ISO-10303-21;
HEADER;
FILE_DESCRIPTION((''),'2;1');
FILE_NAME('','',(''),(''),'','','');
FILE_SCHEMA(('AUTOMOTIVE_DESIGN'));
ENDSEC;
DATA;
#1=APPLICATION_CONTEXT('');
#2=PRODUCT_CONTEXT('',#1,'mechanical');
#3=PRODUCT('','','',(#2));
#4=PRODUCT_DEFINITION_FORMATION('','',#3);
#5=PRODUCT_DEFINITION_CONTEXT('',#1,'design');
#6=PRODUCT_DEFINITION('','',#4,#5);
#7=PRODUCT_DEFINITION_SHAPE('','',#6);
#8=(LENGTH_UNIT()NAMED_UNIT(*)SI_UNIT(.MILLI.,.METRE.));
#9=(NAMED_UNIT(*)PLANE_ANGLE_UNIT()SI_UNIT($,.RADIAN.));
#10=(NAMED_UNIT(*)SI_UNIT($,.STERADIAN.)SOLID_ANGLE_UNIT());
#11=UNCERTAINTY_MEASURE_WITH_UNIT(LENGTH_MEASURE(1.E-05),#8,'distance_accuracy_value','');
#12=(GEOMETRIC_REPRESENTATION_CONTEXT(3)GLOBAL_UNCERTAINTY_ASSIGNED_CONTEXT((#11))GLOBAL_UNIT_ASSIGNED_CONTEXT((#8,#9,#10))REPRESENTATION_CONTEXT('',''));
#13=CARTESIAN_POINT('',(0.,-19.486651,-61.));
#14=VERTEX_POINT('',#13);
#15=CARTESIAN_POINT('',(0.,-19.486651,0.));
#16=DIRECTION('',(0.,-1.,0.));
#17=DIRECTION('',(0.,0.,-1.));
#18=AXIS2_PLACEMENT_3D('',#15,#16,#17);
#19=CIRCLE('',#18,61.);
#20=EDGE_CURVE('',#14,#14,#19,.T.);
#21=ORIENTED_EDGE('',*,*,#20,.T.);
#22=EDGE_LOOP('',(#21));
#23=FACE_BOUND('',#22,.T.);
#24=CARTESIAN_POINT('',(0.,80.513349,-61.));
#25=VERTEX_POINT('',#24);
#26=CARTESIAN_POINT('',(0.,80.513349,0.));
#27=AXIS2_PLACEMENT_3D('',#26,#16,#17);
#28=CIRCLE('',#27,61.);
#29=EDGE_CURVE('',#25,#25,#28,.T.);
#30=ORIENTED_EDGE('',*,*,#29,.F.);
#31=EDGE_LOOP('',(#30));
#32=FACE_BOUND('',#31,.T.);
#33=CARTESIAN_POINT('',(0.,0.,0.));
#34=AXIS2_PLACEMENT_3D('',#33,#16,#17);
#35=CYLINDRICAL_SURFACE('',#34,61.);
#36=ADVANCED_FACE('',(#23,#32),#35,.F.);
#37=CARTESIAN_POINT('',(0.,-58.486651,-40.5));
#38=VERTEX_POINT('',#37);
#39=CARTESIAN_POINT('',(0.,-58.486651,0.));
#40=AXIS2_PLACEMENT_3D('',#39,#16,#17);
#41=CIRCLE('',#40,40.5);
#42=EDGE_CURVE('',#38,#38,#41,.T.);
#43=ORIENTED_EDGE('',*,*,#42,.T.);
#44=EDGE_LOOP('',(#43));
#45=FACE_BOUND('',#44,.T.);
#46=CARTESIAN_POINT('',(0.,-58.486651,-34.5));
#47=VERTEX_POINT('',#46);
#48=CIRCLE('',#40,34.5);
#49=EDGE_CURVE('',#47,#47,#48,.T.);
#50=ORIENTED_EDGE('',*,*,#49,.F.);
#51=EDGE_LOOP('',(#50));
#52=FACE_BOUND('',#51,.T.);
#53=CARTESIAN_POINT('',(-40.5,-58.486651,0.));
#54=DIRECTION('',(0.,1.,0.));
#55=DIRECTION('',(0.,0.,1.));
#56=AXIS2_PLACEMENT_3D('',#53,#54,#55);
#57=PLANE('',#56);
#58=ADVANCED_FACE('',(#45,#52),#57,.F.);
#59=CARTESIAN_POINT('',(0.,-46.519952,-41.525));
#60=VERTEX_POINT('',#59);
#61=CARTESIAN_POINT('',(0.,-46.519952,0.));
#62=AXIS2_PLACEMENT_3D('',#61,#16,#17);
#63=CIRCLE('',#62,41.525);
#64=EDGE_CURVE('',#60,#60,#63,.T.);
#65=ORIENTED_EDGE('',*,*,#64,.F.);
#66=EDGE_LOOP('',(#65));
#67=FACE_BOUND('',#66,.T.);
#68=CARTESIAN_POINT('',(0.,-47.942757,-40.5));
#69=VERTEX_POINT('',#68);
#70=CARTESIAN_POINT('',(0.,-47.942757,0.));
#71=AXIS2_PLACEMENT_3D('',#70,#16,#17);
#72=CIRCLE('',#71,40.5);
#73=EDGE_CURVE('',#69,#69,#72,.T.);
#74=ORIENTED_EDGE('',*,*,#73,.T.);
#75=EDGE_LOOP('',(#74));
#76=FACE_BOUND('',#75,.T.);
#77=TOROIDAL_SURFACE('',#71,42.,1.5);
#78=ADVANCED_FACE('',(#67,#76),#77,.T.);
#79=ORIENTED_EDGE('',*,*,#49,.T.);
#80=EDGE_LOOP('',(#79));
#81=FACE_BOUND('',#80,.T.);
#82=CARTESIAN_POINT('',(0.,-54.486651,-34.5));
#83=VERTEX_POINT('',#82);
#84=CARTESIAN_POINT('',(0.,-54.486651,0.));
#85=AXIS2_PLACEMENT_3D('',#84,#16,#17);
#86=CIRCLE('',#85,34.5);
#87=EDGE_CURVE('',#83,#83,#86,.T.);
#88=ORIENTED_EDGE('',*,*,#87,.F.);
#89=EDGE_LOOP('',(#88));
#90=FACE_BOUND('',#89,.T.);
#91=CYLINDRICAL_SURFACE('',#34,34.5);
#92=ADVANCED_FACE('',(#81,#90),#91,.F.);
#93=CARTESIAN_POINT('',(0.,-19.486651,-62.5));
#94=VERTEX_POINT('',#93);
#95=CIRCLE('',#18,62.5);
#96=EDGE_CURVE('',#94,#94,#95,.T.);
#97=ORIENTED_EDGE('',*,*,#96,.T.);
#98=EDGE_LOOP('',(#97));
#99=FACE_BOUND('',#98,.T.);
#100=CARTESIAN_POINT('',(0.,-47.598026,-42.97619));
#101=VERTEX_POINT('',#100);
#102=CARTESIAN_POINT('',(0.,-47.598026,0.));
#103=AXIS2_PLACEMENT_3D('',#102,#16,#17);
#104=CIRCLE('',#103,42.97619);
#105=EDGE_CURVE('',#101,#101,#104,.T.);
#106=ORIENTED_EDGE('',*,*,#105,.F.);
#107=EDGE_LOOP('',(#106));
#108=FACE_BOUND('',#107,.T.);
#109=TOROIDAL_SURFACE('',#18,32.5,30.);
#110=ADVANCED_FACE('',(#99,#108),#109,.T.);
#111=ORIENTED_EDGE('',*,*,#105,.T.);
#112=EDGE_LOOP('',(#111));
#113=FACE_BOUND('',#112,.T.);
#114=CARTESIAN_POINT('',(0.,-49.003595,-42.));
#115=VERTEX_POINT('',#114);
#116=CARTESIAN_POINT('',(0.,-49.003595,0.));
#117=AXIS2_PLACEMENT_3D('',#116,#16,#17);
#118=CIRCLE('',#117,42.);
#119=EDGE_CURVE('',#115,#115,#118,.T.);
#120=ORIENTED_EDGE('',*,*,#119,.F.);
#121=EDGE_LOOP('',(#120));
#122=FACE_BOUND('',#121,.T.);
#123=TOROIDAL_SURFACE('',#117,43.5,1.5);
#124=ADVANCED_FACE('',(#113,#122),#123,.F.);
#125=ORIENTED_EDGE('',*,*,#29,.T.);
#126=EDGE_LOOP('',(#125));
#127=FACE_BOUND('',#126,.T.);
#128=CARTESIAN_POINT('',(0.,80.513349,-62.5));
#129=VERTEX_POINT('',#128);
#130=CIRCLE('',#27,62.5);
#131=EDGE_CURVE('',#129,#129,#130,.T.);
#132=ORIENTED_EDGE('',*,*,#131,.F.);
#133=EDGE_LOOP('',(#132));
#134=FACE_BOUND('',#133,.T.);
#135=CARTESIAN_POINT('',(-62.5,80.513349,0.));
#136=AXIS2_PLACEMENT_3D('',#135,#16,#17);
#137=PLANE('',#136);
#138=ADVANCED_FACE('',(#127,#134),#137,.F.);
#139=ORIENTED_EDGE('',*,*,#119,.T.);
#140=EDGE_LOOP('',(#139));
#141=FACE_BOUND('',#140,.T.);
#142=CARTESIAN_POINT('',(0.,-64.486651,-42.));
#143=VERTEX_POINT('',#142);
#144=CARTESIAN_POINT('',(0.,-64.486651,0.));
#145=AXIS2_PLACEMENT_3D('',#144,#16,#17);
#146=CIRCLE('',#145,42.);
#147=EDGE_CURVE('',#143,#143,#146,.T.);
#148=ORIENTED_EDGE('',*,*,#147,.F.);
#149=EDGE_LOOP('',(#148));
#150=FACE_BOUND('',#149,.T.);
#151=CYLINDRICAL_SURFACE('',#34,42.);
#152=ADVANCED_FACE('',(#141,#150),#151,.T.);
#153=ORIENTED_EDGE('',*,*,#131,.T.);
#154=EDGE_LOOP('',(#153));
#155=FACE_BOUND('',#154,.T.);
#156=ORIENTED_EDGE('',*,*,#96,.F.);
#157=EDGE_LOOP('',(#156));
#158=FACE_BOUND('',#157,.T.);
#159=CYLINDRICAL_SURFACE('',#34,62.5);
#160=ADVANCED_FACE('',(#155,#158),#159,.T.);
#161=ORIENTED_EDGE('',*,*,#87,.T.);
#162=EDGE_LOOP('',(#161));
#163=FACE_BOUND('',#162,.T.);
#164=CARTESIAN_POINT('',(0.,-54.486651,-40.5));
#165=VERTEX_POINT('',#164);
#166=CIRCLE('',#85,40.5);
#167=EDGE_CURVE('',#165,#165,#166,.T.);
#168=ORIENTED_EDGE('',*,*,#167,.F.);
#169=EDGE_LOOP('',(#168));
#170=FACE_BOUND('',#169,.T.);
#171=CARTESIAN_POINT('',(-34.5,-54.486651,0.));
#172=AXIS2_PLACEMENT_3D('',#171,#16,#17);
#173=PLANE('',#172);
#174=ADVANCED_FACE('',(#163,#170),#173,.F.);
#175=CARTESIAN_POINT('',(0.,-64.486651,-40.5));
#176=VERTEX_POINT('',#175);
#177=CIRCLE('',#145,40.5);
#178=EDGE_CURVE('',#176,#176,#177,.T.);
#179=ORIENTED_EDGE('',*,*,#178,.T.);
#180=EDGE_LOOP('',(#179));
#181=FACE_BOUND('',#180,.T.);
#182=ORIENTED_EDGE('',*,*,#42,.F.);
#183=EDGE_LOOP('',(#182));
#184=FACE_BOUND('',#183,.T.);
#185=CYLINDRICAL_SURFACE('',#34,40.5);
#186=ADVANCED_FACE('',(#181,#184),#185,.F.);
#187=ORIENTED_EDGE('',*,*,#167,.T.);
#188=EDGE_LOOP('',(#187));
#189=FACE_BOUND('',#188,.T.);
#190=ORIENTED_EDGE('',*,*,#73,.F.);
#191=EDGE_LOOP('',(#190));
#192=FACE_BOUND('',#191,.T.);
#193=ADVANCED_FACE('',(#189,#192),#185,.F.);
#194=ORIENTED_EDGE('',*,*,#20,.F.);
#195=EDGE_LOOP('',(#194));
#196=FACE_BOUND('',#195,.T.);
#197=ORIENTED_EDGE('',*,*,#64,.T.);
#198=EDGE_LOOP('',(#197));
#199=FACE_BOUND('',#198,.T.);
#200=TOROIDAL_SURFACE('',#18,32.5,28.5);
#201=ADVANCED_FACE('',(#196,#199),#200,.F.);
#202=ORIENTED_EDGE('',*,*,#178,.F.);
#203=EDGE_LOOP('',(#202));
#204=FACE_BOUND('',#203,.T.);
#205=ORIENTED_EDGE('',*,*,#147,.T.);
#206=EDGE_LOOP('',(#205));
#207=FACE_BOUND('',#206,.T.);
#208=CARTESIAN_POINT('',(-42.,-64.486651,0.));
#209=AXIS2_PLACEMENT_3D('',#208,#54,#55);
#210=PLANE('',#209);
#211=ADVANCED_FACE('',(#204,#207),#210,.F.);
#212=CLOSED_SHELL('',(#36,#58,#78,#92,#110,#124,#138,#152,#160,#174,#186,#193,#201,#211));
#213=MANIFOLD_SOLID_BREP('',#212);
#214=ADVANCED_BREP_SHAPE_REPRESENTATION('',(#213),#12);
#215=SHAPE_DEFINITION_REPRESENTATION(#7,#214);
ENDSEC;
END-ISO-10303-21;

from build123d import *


with BuildPart() as part:
    # Çizim1 → Döndür5 (revolve)
    with BuildSketch(Plane.XY, mode=Mode.PRIVATE) as d_nd_r5_sk:
        with BuildLine():
            Line((-62.5, 80.513349387), (-62.5, -19.486650613))
            ThreePointArc((-62.5, -19.486650613), (-57.140269015, -36.599719971), (-42.976190476, -47.598026124))
            ThreePointArc((-42.976190476, -47.598026124), (-42.267986549, -48.147941431), (-42, -49.003594899))
            Line((-42, -49.003594899), (-42, -64.486650613))
            Line((-42, -64.486650613), (-40.5, -64.486650613))
            Line((-40.5, -64.486650613), (-40.5, -58.486650613))
            Line((-40.5, -58.486650613), (-34.5, -58.486650613))
            Line((-34.5, -58.486650613), (-34.5, -54.486650613))
            Line((-34.5, -54.486650613), (-40.5, -54.486650613))
            Line((-40.5, -54.486650613), (-40.5, -47.942757163))
            ThreePointArc((-40.5, -47.942757163), (-40.782933856, -47.065973267), (-41.525, -46.519951836))
            ThreePointArc((-41.525, -46.519951836), (-55.624256745, -36.145544634), (-61, -19.486650613))
            Line((-61, -19.486650613), (-61, 80.513349387))
            Line((-61, 80.513349387), (-62.5, 80.513349387))
        make_face()
    revolve(d_nd_r5_sk.sketch.rotate(Axis((0, 0, 0), (0, 1, 0)), 270), axis=Axis((0, 0, 0), (0, 1, 0)))


solid = part.part
